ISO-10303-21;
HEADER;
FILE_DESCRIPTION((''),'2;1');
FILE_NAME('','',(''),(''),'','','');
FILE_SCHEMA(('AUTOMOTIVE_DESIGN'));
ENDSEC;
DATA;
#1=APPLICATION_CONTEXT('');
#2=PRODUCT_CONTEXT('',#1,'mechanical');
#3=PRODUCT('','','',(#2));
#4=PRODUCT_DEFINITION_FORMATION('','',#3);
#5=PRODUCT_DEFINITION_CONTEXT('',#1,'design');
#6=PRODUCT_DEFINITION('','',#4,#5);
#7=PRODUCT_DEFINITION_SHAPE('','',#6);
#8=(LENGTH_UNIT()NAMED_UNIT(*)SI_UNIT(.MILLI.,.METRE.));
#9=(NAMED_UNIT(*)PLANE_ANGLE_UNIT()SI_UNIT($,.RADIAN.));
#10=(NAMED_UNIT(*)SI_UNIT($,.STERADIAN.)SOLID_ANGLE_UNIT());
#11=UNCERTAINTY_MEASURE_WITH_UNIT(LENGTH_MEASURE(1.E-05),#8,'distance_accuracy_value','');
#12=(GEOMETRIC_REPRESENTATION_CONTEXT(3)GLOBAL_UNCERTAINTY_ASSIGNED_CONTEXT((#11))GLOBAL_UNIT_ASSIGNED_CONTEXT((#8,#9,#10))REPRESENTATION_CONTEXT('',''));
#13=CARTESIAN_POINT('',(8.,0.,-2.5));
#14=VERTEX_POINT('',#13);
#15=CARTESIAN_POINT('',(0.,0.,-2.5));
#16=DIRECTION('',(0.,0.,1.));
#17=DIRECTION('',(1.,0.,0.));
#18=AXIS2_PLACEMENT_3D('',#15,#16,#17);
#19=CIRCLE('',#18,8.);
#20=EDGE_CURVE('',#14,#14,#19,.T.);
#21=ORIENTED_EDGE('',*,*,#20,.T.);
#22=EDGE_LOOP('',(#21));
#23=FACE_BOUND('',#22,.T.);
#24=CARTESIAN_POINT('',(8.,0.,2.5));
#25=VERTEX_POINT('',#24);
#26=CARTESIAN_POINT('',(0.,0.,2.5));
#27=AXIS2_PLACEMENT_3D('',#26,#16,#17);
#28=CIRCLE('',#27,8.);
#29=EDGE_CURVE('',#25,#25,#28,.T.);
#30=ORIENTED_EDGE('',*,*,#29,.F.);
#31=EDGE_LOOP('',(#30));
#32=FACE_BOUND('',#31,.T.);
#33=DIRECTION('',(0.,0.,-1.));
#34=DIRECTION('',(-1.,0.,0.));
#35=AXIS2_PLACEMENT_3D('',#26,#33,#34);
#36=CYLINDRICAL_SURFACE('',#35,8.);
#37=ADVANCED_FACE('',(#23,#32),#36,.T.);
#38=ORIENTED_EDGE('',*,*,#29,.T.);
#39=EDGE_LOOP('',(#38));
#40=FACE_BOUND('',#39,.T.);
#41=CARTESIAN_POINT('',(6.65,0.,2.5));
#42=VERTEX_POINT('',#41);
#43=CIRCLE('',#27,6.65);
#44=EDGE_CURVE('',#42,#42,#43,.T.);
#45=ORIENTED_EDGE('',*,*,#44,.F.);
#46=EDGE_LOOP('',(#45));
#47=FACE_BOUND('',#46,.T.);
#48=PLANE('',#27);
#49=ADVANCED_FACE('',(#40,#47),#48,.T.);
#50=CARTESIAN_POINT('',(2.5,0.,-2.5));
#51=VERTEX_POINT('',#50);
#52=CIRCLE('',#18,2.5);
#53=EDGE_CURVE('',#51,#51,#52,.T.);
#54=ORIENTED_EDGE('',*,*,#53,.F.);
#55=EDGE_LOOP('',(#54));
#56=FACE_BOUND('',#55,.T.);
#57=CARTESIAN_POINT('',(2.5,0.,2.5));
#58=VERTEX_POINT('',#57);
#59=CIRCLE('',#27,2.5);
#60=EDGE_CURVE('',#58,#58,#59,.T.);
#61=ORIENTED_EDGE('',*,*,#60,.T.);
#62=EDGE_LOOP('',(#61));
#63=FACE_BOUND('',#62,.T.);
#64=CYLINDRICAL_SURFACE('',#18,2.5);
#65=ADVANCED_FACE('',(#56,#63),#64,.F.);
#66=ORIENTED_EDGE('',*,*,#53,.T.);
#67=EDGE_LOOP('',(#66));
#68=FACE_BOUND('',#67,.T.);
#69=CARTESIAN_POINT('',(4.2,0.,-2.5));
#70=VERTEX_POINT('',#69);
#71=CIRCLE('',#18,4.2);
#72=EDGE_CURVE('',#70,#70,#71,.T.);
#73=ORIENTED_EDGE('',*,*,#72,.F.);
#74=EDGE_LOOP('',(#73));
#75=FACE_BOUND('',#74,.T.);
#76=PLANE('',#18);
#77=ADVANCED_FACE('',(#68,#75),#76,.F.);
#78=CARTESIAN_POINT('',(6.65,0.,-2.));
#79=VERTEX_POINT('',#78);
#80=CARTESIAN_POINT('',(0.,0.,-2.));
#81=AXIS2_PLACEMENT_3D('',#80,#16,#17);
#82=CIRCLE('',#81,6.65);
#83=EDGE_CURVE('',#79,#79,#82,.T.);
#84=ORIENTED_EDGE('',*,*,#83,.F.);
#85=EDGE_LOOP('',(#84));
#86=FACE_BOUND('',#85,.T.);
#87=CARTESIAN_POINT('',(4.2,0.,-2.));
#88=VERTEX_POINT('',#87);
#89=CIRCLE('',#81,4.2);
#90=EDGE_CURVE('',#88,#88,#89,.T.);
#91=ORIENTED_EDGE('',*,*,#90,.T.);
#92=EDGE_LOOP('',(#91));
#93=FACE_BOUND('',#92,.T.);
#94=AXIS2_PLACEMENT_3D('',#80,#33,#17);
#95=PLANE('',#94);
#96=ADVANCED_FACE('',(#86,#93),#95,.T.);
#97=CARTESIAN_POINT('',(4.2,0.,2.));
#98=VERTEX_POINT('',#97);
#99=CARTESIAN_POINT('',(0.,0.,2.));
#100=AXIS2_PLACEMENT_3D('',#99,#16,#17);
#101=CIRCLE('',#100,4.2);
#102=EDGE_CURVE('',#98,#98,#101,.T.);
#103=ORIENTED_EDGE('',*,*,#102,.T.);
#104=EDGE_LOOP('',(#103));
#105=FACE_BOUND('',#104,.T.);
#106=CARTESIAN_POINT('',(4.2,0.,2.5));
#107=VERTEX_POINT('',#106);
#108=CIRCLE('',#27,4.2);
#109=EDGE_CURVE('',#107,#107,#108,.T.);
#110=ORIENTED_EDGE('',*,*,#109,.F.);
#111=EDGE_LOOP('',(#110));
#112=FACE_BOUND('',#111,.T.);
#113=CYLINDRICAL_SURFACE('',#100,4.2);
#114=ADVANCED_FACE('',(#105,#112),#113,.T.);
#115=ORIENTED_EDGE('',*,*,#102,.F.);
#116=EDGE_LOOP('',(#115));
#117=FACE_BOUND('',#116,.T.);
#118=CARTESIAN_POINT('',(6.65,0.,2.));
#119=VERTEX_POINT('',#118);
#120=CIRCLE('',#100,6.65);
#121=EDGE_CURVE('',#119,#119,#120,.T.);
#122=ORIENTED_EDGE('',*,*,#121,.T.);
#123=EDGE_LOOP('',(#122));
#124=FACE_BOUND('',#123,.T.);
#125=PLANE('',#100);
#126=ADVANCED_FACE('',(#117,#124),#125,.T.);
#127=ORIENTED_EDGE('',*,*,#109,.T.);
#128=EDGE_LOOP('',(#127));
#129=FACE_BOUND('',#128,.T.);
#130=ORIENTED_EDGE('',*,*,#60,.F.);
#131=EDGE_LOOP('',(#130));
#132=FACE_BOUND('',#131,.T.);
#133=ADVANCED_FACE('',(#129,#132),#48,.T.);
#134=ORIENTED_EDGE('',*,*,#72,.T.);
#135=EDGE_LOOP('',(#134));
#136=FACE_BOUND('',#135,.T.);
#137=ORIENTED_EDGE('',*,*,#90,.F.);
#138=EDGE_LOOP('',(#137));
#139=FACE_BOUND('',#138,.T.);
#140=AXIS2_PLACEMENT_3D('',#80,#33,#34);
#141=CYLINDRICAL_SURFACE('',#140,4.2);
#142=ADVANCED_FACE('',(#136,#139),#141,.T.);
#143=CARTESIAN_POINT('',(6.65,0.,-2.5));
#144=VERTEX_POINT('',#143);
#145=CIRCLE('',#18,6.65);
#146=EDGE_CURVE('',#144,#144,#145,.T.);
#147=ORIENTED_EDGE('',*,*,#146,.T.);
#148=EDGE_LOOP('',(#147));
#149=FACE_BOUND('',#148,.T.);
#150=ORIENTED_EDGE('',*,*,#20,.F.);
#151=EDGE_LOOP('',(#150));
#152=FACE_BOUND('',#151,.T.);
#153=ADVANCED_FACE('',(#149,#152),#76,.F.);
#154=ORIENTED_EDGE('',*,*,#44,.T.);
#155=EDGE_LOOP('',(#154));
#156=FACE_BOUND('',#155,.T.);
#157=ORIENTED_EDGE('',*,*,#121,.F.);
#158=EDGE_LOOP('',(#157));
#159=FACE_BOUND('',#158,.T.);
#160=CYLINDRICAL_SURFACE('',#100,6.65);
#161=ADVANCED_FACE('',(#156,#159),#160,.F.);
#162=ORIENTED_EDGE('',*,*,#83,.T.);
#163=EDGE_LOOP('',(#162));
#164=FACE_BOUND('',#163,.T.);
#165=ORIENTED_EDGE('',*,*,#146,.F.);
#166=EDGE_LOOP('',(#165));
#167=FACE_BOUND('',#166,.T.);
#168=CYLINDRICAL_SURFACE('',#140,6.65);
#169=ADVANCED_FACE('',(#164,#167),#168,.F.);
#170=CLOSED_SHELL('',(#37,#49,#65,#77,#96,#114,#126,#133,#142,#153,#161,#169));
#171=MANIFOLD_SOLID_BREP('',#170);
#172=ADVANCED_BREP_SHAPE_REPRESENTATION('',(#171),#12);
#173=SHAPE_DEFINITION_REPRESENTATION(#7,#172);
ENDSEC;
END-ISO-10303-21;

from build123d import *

# Parameters (mm, degrees)
SKETCH_1_R          = 8
EXTRUDE_1_DEPTH     = 2.5
SKETCH_2_R          = 2.5
CUT_EXTRUDE_1_DEPTH = 6
SKETCH_3_R          = 6.65
SKETCH_3_R_2        = 4.2
CUT_EXTRUDE_2_DEPTH = 0.5


with BuildPart() as part:
    # 草圖1 → 填料-伸長1 (new body, symmetric)
    with BuildSketch(Plane.XY):
        Circle(SKETCH_1_R)
    extrude(amount=EXTRUDE_1_DEPTH, both=True)

    # 草圖2 → 除料-伸長1 (cut, through all)
    with BuildSketch(Plane.XY.offset(2.5)):
        Circle(SKETCH_2_R)
    extrude(amount=-CUT_EXTRUDE_1_DEPTH, mode=Mode.SUBTRACT)

    # 草圖3 → 除料-伸長2 (cut)
    with BuildSketch(Plane.XY.offset(2.5)):
        Circle(SKETCH_3_R)
        Circle(SKETCH_3_R_2, mode=Mode.SUBTRACT)
    cut_extrude_2 = extrude(amount=-CUT_EXTRUDE_2_DEPTH, mode=Mode.SUBTRACT)

    # 鏡射1: 除料-伸長2 across plane
    add(cut_extrude_2.mirror(Plane.XY), mode=Mode.SUBTRACT)


solid = part.part
